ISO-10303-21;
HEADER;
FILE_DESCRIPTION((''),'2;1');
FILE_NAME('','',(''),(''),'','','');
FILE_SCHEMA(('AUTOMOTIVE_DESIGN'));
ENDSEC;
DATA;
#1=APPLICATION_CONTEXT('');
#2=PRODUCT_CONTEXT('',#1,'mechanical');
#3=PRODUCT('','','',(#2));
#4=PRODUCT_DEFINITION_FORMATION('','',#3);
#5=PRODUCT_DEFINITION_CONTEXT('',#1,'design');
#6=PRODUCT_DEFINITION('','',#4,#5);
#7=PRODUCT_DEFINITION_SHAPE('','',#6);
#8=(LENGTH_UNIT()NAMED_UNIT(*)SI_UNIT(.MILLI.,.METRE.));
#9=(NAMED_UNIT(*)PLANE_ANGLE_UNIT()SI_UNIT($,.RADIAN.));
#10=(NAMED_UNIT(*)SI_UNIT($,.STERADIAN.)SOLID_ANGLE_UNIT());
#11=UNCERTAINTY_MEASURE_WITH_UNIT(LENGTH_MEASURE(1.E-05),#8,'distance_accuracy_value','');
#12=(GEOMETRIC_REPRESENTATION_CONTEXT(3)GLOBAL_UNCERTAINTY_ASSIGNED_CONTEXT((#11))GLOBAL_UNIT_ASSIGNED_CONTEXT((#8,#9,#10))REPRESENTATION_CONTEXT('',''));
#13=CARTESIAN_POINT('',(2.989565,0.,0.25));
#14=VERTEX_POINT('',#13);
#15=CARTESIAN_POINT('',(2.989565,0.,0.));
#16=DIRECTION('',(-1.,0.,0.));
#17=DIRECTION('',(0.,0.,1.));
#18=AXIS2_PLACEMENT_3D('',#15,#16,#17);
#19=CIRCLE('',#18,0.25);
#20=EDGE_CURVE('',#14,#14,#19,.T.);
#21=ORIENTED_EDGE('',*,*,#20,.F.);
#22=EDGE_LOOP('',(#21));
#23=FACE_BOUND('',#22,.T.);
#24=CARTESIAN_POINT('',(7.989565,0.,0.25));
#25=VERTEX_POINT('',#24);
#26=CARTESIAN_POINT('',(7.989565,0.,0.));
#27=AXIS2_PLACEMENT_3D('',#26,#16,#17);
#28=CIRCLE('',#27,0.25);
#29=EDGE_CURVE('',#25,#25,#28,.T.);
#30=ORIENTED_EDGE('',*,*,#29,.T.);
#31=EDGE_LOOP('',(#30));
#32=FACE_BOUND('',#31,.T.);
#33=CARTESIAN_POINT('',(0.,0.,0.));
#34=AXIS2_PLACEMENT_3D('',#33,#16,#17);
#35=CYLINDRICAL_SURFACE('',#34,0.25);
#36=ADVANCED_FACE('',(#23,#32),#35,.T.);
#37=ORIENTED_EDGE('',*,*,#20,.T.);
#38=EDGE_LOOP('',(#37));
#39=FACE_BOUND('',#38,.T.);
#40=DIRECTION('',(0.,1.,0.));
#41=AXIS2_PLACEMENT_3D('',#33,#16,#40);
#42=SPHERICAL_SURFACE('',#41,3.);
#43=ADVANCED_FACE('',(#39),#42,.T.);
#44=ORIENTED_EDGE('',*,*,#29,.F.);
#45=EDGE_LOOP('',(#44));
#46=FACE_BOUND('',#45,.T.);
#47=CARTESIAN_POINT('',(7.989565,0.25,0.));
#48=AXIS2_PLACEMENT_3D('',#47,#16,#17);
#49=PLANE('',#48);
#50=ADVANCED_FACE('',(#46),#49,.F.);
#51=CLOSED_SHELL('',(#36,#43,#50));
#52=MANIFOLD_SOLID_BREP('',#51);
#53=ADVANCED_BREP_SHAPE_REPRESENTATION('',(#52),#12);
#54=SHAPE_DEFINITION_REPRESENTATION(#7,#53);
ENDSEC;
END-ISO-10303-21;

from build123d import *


with BuildPart() as part:
    # Sketch1 → Revolve1 (revolve)
    with BuildSketch(Plane.XY):
        with BuildLine():
            Line((2.989565186, 0.25), (7.989565186, 0.25))
            Line((7.989565186, 0.25), (7.989565186, 0))
            Line((7.989565186, 0), (-3, 0))
            ThreePointArc((-3, 0), (-0.125108838, 2.997390161), (2.989565186, 0.25))
        make_face()
    revolve(axis=Axis((0, 0, 0), (1, 0, 0)))


solid = part.part
